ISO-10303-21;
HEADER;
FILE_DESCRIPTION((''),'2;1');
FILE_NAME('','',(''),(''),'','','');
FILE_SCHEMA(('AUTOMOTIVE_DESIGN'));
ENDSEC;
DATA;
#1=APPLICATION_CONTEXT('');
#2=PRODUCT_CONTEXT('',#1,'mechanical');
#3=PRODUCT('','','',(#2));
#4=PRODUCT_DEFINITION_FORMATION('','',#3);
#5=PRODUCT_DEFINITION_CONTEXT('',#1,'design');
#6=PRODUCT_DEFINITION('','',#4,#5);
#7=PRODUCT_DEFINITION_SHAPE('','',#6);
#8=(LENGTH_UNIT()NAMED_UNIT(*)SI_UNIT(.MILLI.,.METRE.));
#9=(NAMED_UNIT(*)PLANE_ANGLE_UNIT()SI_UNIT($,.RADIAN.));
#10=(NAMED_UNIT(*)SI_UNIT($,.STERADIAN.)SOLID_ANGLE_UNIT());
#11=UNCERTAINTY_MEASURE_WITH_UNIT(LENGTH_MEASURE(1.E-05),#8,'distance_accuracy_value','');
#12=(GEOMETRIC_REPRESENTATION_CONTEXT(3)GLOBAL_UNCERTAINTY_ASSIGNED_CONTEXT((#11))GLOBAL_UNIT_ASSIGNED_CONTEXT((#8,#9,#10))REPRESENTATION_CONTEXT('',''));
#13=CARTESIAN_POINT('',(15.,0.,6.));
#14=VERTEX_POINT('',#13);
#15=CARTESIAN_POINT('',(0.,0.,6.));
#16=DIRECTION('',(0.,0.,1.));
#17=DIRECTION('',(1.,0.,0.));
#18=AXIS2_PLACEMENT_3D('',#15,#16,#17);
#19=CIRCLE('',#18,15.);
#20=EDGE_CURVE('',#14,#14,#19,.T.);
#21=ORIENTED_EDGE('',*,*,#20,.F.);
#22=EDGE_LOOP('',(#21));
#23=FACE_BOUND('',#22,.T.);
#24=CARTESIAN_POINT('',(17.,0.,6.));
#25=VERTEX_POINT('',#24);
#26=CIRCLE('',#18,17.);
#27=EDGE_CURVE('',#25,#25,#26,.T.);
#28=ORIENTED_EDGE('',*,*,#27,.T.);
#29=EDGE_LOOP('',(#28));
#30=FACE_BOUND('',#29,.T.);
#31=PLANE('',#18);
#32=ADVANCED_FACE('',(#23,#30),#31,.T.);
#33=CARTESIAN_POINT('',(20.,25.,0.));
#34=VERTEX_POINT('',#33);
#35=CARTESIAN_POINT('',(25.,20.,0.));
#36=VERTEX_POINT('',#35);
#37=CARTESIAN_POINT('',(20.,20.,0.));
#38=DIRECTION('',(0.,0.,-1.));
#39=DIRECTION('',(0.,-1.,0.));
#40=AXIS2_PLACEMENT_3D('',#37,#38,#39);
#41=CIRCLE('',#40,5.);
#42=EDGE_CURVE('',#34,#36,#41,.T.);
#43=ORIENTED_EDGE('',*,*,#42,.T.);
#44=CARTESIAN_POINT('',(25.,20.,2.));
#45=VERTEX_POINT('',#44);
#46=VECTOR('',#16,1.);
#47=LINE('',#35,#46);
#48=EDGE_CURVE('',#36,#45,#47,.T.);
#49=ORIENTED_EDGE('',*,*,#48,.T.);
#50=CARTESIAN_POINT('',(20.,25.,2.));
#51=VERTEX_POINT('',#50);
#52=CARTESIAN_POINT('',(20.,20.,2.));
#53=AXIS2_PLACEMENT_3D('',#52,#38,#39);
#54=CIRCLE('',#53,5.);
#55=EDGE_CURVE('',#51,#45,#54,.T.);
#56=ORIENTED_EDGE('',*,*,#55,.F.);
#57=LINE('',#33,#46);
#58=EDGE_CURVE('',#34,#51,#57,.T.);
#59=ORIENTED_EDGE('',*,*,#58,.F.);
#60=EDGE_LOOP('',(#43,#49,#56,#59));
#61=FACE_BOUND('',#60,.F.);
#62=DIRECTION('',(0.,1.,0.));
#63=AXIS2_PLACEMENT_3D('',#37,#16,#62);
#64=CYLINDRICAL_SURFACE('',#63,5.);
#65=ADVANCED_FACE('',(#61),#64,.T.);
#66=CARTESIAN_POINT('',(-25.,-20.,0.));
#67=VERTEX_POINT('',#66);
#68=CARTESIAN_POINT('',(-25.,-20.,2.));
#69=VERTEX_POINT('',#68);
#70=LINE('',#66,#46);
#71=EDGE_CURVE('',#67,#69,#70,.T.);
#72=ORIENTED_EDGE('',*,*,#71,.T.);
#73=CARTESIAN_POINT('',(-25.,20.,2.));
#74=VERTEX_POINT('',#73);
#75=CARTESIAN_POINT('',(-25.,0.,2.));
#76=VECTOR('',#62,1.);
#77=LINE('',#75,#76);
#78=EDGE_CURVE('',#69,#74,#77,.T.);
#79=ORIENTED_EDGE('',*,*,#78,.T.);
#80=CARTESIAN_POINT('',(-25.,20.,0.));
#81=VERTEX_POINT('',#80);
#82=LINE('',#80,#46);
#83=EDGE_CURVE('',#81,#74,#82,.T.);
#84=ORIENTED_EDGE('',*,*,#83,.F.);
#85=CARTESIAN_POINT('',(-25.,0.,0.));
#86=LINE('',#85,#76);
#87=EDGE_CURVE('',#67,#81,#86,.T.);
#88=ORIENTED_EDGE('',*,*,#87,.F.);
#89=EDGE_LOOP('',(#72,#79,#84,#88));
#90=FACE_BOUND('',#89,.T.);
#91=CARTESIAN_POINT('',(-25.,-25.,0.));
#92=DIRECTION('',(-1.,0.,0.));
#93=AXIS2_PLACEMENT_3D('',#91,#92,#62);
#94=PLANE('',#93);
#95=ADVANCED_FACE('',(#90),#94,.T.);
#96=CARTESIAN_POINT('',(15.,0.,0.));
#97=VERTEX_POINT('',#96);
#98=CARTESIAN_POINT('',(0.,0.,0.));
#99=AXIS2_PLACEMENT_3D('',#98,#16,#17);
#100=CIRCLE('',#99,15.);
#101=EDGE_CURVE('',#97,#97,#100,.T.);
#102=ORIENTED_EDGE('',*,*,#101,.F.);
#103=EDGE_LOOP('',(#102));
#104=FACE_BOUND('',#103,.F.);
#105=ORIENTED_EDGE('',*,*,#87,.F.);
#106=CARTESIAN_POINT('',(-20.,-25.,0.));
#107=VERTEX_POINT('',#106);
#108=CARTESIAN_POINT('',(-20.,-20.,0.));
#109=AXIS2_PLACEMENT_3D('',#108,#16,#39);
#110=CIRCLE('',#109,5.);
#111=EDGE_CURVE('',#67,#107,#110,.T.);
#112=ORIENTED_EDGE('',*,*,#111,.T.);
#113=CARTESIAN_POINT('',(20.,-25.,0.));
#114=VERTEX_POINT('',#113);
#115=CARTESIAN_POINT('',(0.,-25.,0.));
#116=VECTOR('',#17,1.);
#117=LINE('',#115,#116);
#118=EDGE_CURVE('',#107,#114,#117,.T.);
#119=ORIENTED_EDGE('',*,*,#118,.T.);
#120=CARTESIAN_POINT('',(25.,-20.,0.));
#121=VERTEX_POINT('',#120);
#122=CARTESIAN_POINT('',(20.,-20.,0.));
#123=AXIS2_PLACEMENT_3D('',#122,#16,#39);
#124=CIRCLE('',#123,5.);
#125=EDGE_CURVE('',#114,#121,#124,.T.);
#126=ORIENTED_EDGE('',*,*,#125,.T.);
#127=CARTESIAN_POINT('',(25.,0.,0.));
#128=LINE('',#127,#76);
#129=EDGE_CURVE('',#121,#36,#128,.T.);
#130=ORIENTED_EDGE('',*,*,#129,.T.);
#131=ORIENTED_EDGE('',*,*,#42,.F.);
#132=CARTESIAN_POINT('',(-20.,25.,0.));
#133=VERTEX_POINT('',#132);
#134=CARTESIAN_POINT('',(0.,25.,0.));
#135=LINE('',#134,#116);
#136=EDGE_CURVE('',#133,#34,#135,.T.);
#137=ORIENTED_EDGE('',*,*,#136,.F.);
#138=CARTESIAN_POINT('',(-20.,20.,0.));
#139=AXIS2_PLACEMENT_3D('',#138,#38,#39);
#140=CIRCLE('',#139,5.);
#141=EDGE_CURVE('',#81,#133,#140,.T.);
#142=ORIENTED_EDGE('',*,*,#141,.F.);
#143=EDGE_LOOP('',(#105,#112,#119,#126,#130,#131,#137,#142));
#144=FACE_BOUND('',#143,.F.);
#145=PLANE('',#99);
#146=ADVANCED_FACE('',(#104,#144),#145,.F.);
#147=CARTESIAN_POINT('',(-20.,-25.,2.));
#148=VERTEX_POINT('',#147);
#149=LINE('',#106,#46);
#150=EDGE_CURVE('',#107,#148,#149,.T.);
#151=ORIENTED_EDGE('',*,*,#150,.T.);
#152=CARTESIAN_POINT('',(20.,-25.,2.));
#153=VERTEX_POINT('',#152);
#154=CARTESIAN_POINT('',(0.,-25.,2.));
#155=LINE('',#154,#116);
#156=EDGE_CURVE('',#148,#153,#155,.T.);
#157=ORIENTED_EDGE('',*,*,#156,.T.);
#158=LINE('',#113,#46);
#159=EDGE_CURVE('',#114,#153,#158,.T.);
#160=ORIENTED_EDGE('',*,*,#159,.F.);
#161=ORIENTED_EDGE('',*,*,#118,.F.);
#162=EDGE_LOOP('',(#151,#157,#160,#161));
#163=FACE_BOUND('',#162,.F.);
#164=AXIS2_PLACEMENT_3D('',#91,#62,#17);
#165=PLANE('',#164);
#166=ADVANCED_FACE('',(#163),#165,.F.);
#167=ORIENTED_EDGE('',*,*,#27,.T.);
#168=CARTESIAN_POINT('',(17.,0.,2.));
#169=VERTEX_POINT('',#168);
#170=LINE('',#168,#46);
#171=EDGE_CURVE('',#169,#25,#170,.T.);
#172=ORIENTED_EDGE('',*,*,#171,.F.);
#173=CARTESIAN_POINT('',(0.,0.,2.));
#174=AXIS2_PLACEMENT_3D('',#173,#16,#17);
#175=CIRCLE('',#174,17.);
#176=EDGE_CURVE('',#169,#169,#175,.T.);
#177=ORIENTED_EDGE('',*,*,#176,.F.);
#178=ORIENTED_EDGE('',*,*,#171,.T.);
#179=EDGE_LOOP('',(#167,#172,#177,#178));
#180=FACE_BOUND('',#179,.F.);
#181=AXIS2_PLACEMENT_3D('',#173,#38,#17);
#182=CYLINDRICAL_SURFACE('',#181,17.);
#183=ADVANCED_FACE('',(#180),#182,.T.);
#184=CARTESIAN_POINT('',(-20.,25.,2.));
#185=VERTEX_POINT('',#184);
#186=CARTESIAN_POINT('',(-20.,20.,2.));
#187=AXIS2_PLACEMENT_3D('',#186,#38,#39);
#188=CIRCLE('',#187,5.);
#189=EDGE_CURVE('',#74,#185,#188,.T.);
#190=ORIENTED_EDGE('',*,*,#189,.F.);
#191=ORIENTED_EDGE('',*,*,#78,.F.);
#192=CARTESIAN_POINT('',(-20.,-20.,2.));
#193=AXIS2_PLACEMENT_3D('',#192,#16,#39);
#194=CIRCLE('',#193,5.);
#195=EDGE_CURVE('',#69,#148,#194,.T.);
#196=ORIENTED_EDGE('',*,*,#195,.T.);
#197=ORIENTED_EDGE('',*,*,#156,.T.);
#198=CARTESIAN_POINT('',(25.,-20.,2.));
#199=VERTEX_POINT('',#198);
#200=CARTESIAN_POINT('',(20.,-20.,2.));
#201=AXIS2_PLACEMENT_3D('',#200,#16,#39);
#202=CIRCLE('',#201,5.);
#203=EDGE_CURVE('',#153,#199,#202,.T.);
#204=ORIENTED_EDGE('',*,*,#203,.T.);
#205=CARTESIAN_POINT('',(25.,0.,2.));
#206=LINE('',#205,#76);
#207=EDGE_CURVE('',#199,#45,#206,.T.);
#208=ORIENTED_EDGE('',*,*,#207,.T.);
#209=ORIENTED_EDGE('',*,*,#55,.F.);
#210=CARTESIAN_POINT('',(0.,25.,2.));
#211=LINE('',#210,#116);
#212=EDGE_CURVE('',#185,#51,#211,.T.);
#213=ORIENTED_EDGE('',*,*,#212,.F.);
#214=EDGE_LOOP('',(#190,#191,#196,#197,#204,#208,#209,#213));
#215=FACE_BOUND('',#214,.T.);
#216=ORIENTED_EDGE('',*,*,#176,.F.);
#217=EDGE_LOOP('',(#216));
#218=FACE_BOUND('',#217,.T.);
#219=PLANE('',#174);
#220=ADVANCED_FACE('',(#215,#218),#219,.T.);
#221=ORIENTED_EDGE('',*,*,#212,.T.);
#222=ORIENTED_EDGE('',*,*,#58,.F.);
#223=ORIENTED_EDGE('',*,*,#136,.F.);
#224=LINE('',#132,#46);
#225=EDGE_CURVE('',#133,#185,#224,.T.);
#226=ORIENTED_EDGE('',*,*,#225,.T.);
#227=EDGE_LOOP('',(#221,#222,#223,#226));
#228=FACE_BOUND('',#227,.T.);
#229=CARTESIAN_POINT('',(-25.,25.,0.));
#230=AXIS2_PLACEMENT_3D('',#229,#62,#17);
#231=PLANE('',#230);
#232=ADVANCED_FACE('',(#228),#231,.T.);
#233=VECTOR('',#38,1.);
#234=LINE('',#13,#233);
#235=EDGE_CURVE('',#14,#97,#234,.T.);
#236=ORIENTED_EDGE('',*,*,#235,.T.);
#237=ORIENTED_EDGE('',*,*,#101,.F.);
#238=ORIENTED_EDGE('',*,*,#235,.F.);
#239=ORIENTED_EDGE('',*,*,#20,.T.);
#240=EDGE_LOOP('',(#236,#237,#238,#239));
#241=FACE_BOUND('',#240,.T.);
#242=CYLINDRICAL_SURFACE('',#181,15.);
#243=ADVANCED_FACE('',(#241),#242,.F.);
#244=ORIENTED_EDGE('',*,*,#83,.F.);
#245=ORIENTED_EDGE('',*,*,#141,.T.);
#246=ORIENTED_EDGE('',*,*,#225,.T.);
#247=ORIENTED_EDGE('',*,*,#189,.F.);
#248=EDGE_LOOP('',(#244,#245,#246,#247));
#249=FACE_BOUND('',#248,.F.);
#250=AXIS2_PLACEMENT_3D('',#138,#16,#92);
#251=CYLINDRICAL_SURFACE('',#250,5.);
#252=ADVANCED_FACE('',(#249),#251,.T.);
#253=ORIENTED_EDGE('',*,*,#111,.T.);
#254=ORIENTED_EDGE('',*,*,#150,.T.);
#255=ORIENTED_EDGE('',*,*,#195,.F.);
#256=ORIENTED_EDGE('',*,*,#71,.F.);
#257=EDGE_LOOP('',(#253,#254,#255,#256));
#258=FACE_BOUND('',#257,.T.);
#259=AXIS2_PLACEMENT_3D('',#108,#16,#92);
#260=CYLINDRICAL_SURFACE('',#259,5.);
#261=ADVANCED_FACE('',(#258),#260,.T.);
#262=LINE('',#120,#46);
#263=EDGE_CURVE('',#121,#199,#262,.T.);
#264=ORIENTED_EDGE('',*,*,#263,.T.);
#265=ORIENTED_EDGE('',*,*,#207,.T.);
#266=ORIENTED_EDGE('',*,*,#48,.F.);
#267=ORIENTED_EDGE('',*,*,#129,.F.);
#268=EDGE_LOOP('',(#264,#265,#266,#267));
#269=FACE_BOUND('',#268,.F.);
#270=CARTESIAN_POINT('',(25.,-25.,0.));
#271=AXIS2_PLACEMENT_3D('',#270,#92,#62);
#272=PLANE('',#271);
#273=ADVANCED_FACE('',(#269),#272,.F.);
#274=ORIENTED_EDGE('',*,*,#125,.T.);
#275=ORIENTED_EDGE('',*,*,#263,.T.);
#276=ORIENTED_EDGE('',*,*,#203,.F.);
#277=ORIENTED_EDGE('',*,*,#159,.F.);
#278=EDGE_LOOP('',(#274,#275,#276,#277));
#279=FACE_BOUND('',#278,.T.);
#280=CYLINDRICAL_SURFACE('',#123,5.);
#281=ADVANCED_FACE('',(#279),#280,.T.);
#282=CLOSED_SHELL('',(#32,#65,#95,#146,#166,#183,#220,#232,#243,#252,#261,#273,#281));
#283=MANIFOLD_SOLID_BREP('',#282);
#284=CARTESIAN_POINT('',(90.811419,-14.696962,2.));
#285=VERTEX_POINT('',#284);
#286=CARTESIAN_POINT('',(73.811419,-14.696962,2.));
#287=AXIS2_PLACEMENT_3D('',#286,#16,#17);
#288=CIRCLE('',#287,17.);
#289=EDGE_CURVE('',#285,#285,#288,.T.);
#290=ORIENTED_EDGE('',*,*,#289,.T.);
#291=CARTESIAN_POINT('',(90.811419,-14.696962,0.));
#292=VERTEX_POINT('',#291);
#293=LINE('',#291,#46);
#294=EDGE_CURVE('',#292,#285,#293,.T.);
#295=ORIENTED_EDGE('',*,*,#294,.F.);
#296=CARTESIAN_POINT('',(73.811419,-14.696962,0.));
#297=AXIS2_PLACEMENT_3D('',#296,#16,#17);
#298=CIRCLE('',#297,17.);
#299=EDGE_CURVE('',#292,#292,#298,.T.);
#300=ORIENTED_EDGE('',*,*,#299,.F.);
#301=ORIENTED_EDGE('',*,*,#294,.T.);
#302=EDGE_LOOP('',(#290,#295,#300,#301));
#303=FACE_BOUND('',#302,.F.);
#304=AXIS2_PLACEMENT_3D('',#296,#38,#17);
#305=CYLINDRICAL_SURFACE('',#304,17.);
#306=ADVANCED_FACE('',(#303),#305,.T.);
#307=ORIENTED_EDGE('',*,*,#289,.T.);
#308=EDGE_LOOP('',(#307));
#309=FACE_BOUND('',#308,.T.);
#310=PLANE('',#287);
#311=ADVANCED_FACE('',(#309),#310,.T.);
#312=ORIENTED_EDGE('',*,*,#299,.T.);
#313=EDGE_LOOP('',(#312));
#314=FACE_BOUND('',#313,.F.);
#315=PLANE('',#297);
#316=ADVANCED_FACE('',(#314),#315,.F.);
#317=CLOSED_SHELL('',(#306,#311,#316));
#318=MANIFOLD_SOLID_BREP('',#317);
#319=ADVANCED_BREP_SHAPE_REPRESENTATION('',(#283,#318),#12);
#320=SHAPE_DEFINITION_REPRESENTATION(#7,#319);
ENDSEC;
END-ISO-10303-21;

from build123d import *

# Parameters (mm, degrees)
F0_W     = 50
F0_H     = 50
F0_R     = 15
F0_R_2   = 17
F1_DEPTH = 2
F2_R     = 5
F3_R     = 17
F3_R_2   = 15
F4_DEPTH = 4


with BuildPart() as f1:
    # F0 (on Top) → F1 (new body)
    with BuildSketch(Plane.XY):
        Rectangle(F0_W, F0_H)
        Circle(F0_R, mode=Mode.SUBTRACT)
        with Locations((73.811419, -14.696962)):
            Circle(F0_R_2)
    extrude(amount=F1_DEPTH)

    # F2
    f2_edges = [f1.edges().sort_by_distance(p)[0] for p in [
        (25, -25, 1),
        (25, 25, 1),
        (-25, -25, 1),
        (-25, 25, 1),
    ]]
    fillet(f2_edges, radius=F2_R)

    # F3 (on face) → F4 (join)
    with BuildSketch(Plane.XY.offset(2)):
        Circle(F3_R)
        Circle(F3_R_2, mode=Mode.SUBTRACT)
    extrude(amount=F4_DEPTH)


solid = f1.part
